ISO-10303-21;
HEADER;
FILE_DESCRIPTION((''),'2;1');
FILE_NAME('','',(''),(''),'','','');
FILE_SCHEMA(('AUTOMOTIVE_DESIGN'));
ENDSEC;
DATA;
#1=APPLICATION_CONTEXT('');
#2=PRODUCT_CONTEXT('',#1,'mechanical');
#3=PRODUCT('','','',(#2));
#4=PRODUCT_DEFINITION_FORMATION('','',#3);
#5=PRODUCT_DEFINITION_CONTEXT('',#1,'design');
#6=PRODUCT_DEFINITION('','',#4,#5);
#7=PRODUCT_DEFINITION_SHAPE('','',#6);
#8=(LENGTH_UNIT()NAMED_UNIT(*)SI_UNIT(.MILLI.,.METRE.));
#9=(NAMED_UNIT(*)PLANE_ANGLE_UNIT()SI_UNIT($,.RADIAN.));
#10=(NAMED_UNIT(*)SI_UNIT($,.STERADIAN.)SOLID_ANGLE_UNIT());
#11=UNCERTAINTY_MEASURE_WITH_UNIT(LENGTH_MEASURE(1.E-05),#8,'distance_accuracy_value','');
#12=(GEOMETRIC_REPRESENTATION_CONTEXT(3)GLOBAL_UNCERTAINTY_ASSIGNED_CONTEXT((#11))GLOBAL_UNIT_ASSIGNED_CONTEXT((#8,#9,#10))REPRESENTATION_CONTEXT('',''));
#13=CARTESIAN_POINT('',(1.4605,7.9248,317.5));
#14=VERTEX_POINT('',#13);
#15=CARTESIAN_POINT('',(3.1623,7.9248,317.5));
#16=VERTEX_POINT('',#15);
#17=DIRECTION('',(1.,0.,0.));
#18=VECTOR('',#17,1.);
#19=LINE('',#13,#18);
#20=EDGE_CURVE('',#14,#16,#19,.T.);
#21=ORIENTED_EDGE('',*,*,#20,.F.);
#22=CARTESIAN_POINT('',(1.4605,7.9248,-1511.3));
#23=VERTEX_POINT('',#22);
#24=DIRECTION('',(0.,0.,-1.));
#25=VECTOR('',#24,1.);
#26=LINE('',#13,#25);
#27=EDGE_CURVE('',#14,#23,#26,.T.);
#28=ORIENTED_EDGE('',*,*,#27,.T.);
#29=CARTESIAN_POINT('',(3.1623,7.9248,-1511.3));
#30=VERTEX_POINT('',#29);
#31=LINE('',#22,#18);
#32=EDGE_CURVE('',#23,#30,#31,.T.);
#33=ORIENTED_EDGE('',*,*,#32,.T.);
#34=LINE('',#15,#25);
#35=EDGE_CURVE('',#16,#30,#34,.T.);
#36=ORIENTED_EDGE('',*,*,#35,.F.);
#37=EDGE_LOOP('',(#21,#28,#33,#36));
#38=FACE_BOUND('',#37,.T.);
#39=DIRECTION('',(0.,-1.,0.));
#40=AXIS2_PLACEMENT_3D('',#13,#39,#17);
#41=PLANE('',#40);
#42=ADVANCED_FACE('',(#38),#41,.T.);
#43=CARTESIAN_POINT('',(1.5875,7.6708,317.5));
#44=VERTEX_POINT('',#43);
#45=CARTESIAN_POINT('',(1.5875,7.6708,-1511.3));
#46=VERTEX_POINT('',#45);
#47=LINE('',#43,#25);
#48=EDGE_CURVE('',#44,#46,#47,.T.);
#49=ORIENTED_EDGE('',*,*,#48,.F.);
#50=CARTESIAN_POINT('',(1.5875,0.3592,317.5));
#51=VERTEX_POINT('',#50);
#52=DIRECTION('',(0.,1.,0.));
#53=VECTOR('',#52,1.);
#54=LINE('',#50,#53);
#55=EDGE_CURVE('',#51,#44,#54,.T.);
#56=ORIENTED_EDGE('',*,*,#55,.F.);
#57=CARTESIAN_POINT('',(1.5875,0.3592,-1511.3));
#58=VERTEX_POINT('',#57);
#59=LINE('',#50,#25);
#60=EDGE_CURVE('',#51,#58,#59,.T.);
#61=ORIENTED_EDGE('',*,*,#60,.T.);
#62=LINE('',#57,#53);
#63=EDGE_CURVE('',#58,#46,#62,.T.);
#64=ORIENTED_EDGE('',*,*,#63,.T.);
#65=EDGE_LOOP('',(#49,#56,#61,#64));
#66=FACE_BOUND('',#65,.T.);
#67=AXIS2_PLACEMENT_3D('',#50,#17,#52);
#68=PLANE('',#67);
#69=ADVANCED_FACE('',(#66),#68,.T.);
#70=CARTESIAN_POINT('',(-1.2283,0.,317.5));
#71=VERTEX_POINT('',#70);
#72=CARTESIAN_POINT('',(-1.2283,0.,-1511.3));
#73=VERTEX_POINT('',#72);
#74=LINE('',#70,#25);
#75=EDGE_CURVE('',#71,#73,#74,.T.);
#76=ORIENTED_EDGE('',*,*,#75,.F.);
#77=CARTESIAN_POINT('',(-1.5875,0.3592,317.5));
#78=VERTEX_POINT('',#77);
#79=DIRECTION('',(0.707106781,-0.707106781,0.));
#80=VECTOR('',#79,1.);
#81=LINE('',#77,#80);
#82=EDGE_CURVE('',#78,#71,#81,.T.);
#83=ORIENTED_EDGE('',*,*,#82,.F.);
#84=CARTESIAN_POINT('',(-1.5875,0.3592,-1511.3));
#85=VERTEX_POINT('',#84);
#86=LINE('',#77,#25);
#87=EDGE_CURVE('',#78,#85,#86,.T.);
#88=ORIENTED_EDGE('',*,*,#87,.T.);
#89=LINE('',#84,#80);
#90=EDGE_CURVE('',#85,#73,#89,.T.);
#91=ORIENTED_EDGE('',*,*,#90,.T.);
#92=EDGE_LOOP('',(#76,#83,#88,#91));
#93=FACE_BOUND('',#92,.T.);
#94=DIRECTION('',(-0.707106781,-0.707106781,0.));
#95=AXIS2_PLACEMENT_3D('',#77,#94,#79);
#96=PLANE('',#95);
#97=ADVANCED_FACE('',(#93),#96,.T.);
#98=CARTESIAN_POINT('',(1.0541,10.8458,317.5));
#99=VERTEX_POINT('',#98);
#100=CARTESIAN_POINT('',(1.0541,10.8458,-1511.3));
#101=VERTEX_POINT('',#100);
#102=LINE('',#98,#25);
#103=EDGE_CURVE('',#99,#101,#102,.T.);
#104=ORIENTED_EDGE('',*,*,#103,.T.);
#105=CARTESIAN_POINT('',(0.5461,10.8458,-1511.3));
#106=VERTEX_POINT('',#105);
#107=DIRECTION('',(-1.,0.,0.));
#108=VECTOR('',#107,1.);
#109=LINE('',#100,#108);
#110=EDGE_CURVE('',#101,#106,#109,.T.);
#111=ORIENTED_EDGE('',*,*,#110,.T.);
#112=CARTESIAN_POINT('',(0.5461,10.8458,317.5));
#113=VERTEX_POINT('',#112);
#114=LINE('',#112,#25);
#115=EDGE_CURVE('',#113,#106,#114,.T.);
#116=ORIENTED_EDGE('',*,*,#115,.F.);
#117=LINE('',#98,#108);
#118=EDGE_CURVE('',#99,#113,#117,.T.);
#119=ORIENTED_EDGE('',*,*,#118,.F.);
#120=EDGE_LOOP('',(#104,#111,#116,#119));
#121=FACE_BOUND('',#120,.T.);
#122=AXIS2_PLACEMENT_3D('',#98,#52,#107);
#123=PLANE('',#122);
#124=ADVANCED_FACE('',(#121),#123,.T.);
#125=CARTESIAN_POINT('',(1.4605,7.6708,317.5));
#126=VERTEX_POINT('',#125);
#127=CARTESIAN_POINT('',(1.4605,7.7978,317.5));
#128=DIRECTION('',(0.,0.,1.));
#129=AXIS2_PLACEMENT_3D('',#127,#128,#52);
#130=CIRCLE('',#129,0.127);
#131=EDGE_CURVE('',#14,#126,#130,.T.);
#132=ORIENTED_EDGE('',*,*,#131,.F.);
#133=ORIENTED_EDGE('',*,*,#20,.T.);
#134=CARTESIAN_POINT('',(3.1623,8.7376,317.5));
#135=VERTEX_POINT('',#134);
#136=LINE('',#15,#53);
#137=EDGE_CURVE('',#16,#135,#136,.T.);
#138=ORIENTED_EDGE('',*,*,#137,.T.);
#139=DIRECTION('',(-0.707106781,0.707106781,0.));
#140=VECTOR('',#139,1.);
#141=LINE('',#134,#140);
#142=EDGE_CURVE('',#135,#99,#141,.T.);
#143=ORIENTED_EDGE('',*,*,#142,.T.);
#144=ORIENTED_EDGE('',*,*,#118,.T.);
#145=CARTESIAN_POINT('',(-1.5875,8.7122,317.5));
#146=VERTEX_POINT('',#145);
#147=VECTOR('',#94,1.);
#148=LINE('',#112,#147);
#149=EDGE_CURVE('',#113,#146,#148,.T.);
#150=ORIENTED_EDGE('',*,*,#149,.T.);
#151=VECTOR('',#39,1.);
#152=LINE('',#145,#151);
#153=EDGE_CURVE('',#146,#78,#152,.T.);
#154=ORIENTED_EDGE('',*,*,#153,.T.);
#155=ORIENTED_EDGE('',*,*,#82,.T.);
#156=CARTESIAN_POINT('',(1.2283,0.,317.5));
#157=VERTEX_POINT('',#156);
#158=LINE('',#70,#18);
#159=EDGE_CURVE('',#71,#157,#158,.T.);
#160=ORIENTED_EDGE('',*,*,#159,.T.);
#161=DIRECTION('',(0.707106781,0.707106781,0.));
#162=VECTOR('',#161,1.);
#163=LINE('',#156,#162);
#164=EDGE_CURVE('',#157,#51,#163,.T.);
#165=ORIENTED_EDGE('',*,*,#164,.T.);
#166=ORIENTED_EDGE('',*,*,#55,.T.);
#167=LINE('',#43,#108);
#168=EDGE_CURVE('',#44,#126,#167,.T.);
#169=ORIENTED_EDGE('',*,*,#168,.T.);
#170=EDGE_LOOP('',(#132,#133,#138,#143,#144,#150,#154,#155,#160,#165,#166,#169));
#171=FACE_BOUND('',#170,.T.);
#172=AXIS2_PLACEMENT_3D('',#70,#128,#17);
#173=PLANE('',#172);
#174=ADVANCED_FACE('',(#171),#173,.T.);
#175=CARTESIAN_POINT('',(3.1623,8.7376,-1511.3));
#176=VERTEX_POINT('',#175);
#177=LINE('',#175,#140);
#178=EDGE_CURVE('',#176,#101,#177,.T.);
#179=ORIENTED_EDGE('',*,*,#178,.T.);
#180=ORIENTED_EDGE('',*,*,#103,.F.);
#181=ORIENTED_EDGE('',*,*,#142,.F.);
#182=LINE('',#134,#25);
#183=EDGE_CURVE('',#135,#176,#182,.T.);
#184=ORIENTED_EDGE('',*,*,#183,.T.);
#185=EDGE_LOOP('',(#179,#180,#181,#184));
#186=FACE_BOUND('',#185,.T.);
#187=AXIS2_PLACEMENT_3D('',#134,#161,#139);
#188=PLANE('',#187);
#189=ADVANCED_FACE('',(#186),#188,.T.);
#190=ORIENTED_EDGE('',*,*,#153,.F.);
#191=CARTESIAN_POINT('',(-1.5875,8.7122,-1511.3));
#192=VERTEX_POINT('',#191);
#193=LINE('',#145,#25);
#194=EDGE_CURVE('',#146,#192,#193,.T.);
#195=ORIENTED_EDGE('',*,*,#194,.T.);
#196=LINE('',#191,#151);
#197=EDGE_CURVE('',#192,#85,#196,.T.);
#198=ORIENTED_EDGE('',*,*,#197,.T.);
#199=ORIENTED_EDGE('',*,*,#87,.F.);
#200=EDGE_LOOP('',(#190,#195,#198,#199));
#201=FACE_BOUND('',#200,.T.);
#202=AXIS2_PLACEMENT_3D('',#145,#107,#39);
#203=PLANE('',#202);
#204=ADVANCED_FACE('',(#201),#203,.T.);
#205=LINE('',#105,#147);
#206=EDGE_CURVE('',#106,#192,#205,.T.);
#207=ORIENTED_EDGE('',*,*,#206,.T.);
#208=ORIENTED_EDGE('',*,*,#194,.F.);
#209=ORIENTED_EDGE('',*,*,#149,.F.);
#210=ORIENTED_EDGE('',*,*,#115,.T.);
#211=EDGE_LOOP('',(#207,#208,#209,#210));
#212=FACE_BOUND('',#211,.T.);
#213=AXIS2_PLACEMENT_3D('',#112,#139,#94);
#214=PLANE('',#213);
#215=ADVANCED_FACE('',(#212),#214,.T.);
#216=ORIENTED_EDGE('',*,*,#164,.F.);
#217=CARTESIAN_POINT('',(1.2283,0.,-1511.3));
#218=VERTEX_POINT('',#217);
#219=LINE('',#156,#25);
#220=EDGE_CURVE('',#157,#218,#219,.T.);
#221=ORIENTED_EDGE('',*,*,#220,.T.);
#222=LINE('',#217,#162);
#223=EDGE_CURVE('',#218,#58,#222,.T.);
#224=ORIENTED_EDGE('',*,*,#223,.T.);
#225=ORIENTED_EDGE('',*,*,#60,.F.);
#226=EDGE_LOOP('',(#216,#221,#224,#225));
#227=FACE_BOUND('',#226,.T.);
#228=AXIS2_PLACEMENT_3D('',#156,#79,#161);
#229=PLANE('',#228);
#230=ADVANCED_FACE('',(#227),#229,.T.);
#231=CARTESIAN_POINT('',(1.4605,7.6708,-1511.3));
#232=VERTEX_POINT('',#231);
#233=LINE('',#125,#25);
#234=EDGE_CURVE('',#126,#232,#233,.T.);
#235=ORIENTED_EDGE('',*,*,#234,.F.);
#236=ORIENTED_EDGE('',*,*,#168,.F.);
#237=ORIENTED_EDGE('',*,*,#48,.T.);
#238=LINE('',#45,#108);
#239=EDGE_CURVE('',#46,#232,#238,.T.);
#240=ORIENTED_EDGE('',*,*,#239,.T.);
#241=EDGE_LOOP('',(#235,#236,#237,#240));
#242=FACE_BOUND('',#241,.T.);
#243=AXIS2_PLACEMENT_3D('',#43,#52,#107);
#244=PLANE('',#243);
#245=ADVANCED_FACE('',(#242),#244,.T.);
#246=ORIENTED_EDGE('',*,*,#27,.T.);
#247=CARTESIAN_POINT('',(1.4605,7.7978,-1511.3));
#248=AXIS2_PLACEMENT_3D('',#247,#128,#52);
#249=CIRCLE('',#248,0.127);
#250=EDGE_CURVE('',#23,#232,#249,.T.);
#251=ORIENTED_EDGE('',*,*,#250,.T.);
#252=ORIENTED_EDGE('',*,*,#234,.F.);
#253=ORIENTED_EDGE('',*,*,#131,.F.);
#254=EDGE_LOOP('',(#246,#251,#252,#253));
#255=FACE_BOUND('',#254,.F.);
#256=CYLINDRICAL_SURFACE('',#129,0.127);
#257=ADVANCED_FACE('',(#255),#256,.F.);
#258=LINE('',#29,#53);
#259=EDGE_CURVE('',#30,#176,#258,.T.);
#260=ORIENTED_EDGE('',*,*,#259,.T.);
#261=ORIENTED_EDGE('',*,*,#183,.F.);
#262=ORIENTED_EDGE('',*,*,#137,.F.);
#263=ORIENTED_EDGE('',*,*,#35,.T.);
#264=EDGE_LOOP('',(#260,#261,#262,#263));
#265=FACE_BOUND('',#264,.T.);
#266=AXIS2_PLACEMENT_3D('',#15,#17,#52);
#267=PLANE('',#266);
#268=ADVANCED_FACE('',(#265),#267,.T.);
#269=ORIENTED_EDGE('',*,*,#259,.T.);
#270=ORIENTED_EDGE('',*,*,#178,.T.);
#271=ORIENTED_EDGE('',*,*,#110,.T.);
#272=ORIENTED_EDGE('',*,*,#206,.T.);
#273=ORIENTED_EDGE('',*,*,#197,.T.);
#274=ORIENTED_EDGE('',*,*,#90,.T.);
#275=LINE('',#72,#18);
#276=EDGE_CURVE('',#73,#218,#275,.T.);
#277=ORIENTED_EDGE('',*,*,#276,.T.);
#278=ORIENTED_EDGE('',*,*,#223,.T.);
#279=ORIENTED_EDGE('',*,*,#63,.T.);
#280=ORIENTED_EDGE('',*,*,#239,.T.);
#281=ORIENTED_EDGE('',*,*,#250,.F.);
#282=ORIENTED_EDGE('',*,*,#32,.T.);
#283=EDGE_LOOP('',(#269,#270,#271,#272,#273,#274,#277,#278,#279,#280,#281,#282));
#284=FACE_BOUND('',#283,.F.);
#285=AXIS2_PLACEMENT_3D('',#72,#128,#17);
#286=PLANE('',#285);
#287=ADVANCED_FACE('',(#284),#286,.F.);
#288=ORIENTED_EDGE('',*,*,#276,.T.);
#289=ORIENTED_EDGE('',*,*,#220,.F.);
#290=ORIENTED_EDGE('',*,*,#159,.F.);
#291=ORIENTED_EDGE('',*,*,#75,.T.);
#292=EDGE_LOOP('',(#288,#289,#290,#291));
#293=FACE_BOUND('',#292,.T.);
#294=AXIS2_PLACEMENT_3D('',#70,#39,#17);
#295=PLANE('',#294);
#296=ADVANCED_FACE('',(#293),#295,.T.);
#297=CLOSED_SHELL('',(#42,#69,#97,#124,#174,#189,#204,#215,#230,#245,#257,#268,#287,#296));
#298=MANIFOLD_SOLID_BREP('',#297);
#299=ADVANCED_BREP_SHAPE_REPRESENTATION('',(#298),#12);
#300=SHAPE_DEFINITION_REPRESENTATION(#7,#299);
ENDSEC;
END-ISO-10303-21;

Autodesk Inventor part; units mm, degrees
ref_plane "YZ Plane" through (0, 0, 0) normal (1, 0, 0) x (0, 1, 0)
ref_plane "XZ Plane" through (0, 0, 0) normal (0, 1, 0) x (-1, 0, 0)
ref_plane "Work Plane1" through (-1.2283, 0, 317.5) normal (0, 0, 1) x (1, 0, 0)
sketch "Sketch1" plane through (-1.2283, 0, 317.5) normal (0, 0, 1) x (1, 0, 0)
  line L0 (-0.3592, 8.7122) -> (-0.3592, 0.3592) projected
  line L1 (-0.3592, 0.3592) -> (0, 0) projected
  line L2 (0, 0) -> (2.4566, 0) projected
  line L3 (2.4566, 0) -> (2.8158, 0.3592) projected
  line L4 (2.8158, 0.3592) -> (2.8158, 7.6708) projected
  line L5 (2.8158, 7.6708) -> (2.6888, 7.6708) projected
  arc A0 (2.6888, 7.9248) -> (2.6888, 7.6708) centre (2.6888, 7.7978) ccw projected
  line L6 (2.6888, 7.9248) -> (4.3906, 7.9248) projected
  line L7 (4.3906, 7.9248) -> (4.3906, 8.7376) projected
  line L8 (4.3906, 8.7376) -> (2.2824, 10.8458) projected
  line L9 (2.2824, 10.8458) -> (1.7744, 10.8458) projected
  line L10 (1.7744, 10.8458) -> (-0.3592, 8.7122) projected
  point P0 (1.2283, 0)
extrude "Extrusion1" add sketch "Sketch1" against normal blind 1828.8
properties part number "vee-track"
